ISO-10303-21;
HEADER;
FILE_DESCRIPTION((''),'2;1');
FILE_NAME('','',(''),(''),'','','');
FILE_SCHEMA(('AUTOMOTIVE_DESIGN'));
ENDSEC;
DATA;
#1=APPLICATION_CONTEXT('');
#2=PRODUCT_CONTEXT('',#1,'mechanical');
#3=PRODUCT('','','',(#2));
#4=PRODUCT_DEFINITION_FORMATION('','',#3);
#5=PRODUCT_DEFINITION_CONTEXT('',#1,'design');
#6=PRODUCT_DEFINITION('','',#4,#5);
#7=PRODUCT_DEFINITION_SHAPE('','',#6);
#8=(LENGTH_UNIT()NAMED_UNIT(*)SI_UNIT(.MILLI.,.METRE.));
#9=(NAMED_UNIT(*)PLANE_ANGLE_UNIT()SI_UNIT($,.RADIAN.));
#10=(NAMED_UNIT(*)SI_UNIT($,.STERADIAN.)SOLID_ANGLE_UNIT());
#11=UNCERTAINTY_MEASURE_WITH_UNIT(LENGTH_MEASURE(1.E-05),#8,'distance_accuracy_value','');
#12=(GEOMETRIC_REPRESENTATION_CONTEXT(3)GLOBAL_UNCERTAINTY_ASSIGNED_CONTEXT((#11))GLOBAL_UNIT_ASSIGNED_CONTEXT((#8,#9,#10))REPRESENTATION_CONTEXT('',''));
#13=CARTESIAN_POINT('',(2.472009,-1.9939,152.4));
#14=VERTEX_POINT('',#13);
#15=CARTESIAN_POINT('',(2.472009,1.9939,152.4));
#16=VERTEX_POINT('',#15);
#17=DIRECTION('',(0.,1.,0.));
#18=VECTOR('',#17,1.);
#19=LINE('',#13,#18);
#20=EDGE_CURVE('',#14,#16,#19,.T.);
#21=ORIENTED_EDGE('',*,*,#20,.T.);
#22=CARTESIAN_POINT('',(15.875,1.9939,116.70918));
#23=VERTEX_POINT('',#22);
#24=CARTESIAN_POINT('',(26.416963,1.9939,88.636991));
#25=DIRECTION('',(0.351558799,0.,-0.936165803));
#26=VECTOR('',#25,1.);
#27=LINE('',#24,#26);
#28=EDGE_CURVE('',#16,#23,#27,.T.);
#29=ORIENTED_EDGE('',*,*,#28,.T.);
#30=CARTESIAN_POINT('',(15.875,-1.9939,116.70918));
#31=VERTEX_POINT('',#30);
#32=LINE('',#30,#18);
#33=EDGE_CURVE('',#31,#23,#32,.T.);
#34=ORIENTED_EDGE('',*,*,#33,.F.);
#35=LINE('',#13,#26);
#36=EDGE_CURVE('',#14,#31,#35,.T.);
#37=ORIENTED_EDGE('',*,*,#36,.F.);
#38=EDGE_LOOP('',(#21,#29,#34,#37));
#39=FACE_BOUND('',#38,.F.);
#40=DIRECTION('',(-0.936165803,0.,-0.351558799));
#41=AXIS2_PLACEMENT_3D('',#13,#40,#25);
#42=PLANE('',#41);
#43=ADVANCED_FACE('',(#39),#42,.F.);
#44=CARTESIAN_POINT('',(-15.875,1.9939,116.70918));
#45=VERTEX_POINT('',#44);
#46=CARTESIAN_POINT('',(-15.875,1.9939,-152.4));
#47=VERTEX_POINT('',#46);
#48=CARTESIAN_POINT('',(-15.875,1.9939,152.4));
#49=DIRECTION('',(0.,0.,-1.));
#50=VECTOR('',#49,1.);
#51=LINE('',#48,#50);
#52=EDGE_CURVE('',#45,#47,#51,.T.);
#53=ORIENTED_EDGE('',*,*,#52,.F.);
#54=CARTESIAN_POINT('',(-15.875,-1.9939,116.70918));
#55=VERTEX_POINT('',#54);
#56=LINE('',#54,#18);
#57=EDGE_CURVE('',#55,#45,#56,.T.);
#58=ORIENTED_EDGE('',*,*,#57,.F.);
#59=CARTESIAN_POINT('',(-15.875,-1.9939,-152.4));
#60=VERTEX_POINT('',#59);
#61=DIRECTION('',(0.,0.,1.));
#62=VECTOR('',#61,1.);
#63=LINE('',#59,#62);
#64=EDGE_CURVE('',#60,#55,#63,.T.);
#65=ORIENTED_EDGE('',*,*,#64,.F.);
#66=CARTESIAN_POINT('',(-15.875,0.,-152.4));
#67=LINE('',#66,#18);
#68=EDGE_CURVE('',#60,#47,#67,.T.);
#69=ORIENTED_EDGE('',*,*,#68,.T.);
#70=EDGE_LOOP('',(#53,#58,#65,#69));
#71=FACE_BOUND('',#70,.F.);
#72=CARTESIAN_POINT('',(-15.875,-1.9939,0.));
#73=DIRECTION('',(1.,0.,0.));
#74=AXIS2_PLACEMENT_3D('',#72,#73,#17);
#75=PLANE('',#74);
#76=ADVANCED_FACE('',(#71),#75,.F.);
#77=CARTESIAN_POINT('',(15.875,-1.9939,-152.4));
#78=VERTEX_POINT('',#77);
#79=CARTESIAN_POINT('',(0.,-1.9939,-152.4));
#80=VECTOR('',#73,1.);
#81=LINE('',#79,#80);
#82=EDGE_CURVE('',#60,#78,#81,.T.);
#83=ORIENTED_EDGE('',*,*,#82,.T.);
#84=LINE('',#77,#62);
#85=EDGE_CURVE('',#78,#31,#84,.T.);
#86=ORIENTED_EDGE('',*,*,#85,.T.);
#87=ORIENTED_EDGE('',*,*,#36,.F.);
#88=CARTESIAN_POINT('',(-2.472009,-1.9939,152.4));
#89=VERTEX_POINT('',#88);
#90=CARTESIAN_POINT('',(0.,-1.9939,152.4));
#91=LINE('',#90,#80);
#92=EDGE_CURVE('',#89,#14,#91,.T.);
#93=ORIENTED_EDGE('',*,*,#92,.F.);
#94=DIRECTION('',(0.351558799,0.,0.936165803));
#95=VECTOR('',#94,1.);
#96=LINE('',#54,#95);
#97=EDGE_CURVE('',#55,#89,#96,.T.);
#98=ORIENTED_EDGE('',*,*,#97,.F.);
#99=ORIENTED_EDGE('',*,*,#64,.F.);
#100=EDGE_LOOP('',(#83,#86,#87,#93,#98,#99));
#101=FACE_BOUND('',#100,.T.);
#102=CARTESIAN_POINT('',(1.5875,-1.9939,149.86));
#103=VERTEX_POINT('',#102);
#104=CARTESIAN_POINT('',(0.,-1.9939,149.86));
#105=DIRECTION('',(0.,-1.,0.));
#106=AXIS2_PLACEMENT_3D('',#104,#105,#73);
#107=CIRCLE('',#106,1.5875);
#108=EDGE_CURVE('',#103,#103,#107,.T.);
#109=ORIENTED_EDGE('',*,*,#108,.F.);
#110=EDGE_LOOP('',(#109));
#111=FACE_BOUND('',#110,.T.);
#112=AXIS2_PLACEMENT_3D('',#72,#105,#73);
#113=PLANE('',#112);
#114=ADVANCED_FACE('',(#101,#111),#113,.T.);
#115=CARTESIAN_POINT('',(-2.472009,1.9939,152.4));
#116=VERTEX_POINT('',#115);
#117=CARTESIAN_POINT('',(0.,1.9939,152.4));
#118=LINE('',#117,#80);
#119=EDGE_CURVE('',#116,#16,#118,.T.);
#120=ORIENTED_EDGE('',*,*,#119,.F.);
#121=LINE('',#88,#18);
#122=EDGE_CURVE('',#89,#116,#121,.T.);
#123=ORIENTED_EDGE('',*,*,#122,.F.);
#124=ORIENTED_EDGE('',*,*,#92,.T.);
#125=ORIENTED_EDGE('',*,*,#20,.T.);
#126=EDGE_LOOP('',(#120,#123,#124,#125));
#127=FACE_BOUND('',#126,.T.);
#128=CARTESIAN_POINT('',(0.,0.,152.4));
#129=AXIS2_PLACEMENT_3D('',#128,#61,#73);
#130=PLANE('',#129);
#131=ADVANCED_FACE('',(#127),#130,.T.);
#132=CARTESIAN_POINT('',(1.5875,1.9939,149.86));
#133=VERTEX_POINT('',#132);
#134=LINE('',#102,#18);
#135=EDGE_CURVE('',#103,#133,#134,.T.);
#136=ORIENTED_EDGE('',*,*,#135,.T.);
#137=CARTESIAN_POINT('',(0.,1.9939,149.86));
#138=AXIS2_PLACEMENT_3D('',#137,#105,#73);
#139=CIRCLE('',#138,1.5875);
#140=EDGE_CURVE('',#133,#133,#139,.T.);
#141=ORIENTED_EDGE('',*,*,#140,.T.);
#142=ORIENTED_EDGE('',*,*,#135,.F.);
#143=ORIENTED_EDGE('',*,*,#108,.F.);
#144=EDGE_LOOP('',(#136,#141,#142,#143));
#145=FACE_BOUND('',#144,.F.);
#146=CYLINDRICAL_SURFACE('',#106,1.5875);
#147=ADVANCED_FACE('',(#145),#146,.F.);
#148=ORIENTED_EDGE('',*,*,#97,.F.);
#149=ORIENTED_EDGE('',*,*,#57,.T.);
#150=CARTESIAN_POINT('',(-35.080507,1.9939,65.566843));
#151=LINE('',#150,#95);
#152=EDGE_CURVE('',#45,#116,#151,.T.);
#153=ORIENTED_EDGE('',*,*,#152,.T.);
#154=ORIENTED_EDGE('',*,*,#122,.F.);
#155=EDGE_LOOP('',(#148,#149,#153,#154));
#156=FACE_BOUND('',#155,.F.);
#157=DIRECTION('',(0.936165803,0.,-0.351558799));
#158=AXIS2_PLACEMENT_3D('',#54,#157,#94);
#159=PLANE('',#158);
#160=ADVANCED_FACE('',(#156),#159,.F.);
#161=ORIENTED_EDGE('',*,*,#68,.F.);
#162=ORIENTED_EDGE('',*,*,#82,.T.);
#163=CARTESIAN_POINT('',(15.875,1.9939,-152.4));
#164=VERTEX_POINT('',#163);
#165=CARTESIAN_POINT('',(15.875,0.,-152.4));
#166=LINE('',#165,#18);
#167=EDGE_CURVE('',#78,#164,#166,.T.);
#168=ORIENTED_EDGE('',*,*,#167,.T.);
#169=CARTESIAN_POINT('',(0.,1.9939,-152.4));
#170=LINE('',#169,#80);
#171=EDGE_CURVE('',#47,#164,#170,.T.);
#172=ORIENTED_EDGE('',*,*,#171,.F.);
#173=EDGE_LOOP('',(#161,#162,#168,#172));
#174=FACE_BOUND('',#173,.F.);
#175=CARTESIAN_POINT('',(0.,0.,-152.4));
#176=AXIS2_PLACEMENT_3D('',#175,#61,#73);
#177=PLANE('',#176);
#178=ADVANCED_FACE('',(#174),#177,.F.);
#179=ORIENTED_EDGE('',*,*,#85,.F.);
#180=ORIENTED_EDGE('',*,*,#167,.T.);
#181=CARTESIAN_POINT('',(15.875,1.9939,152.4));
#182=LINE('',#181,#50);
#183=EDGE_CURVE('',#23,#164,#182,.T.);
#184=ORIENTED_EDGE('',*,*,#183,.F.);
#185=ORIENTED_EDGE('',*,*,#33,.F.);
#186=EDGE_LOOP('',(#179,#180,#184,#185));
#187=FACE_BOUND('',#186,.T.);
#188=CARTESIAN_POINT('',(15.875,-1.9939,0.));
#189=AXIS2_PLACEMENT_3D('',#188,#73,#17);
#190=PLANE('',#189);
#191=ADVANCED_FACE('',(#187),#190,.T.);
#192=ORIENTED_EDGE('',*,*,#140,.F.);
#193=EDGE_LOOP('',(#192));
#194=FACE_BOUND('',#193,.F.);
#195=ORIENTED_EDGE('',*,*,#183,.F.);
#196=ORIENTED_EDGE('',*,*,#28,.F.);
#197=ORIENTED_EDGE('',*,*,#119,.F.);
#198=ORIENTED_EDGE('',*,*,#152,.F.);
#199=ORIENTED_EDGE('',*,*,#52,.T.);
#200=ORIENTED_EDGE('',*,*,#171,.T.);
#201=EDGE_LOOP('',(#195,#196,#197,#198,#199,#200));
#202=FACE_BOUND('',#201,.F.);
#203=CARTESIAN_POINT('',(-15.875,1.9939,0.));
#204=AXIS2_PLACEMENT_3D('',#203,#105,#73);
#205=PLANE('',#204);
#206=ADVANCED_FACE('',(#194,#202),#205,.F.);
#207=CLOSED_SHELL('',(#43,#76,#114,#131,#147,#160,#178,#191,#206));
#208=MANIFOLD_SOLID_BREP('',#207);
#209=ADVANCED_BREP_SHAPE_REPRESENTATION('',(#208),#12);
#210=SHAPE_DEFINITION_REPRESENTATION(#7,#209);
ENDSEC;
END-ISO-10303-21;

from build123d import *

# Parameters (mm, degrees)
F0_W     = 31.75
F0_H     = 3.9878
F1_DEPTH = 152.4
F2_R     = 1.5875
F3_DEPTH = 3.9888


with BuildPart() as f1:
    # F0 (on Top) → F1 (new body, symmetric)
    with BuildSketch(Plane.XY):
        Rectangle(F0_W, F0_H)
    extrude(amount=F1_DEPTH, both=True)

    # F2 (on face) → F3 (cut, through all)
    with BuildSketch(Plane.XZ.offset(1.9939)):
        with Locations((0, 149.86)):
            Circle(F2_R)
        Polygon((-15.875, 116.70918), (-2.472009, 152.4), (-15.875, 152.4), align=None)
        Polygon((15.875, 152.4), (2.472009, 152.4), (15.875, 116.70918), align=None)
    extrude(amount=-F3_DEPTH, mode=Mode.SUBTRACT)


solid = f1.part
